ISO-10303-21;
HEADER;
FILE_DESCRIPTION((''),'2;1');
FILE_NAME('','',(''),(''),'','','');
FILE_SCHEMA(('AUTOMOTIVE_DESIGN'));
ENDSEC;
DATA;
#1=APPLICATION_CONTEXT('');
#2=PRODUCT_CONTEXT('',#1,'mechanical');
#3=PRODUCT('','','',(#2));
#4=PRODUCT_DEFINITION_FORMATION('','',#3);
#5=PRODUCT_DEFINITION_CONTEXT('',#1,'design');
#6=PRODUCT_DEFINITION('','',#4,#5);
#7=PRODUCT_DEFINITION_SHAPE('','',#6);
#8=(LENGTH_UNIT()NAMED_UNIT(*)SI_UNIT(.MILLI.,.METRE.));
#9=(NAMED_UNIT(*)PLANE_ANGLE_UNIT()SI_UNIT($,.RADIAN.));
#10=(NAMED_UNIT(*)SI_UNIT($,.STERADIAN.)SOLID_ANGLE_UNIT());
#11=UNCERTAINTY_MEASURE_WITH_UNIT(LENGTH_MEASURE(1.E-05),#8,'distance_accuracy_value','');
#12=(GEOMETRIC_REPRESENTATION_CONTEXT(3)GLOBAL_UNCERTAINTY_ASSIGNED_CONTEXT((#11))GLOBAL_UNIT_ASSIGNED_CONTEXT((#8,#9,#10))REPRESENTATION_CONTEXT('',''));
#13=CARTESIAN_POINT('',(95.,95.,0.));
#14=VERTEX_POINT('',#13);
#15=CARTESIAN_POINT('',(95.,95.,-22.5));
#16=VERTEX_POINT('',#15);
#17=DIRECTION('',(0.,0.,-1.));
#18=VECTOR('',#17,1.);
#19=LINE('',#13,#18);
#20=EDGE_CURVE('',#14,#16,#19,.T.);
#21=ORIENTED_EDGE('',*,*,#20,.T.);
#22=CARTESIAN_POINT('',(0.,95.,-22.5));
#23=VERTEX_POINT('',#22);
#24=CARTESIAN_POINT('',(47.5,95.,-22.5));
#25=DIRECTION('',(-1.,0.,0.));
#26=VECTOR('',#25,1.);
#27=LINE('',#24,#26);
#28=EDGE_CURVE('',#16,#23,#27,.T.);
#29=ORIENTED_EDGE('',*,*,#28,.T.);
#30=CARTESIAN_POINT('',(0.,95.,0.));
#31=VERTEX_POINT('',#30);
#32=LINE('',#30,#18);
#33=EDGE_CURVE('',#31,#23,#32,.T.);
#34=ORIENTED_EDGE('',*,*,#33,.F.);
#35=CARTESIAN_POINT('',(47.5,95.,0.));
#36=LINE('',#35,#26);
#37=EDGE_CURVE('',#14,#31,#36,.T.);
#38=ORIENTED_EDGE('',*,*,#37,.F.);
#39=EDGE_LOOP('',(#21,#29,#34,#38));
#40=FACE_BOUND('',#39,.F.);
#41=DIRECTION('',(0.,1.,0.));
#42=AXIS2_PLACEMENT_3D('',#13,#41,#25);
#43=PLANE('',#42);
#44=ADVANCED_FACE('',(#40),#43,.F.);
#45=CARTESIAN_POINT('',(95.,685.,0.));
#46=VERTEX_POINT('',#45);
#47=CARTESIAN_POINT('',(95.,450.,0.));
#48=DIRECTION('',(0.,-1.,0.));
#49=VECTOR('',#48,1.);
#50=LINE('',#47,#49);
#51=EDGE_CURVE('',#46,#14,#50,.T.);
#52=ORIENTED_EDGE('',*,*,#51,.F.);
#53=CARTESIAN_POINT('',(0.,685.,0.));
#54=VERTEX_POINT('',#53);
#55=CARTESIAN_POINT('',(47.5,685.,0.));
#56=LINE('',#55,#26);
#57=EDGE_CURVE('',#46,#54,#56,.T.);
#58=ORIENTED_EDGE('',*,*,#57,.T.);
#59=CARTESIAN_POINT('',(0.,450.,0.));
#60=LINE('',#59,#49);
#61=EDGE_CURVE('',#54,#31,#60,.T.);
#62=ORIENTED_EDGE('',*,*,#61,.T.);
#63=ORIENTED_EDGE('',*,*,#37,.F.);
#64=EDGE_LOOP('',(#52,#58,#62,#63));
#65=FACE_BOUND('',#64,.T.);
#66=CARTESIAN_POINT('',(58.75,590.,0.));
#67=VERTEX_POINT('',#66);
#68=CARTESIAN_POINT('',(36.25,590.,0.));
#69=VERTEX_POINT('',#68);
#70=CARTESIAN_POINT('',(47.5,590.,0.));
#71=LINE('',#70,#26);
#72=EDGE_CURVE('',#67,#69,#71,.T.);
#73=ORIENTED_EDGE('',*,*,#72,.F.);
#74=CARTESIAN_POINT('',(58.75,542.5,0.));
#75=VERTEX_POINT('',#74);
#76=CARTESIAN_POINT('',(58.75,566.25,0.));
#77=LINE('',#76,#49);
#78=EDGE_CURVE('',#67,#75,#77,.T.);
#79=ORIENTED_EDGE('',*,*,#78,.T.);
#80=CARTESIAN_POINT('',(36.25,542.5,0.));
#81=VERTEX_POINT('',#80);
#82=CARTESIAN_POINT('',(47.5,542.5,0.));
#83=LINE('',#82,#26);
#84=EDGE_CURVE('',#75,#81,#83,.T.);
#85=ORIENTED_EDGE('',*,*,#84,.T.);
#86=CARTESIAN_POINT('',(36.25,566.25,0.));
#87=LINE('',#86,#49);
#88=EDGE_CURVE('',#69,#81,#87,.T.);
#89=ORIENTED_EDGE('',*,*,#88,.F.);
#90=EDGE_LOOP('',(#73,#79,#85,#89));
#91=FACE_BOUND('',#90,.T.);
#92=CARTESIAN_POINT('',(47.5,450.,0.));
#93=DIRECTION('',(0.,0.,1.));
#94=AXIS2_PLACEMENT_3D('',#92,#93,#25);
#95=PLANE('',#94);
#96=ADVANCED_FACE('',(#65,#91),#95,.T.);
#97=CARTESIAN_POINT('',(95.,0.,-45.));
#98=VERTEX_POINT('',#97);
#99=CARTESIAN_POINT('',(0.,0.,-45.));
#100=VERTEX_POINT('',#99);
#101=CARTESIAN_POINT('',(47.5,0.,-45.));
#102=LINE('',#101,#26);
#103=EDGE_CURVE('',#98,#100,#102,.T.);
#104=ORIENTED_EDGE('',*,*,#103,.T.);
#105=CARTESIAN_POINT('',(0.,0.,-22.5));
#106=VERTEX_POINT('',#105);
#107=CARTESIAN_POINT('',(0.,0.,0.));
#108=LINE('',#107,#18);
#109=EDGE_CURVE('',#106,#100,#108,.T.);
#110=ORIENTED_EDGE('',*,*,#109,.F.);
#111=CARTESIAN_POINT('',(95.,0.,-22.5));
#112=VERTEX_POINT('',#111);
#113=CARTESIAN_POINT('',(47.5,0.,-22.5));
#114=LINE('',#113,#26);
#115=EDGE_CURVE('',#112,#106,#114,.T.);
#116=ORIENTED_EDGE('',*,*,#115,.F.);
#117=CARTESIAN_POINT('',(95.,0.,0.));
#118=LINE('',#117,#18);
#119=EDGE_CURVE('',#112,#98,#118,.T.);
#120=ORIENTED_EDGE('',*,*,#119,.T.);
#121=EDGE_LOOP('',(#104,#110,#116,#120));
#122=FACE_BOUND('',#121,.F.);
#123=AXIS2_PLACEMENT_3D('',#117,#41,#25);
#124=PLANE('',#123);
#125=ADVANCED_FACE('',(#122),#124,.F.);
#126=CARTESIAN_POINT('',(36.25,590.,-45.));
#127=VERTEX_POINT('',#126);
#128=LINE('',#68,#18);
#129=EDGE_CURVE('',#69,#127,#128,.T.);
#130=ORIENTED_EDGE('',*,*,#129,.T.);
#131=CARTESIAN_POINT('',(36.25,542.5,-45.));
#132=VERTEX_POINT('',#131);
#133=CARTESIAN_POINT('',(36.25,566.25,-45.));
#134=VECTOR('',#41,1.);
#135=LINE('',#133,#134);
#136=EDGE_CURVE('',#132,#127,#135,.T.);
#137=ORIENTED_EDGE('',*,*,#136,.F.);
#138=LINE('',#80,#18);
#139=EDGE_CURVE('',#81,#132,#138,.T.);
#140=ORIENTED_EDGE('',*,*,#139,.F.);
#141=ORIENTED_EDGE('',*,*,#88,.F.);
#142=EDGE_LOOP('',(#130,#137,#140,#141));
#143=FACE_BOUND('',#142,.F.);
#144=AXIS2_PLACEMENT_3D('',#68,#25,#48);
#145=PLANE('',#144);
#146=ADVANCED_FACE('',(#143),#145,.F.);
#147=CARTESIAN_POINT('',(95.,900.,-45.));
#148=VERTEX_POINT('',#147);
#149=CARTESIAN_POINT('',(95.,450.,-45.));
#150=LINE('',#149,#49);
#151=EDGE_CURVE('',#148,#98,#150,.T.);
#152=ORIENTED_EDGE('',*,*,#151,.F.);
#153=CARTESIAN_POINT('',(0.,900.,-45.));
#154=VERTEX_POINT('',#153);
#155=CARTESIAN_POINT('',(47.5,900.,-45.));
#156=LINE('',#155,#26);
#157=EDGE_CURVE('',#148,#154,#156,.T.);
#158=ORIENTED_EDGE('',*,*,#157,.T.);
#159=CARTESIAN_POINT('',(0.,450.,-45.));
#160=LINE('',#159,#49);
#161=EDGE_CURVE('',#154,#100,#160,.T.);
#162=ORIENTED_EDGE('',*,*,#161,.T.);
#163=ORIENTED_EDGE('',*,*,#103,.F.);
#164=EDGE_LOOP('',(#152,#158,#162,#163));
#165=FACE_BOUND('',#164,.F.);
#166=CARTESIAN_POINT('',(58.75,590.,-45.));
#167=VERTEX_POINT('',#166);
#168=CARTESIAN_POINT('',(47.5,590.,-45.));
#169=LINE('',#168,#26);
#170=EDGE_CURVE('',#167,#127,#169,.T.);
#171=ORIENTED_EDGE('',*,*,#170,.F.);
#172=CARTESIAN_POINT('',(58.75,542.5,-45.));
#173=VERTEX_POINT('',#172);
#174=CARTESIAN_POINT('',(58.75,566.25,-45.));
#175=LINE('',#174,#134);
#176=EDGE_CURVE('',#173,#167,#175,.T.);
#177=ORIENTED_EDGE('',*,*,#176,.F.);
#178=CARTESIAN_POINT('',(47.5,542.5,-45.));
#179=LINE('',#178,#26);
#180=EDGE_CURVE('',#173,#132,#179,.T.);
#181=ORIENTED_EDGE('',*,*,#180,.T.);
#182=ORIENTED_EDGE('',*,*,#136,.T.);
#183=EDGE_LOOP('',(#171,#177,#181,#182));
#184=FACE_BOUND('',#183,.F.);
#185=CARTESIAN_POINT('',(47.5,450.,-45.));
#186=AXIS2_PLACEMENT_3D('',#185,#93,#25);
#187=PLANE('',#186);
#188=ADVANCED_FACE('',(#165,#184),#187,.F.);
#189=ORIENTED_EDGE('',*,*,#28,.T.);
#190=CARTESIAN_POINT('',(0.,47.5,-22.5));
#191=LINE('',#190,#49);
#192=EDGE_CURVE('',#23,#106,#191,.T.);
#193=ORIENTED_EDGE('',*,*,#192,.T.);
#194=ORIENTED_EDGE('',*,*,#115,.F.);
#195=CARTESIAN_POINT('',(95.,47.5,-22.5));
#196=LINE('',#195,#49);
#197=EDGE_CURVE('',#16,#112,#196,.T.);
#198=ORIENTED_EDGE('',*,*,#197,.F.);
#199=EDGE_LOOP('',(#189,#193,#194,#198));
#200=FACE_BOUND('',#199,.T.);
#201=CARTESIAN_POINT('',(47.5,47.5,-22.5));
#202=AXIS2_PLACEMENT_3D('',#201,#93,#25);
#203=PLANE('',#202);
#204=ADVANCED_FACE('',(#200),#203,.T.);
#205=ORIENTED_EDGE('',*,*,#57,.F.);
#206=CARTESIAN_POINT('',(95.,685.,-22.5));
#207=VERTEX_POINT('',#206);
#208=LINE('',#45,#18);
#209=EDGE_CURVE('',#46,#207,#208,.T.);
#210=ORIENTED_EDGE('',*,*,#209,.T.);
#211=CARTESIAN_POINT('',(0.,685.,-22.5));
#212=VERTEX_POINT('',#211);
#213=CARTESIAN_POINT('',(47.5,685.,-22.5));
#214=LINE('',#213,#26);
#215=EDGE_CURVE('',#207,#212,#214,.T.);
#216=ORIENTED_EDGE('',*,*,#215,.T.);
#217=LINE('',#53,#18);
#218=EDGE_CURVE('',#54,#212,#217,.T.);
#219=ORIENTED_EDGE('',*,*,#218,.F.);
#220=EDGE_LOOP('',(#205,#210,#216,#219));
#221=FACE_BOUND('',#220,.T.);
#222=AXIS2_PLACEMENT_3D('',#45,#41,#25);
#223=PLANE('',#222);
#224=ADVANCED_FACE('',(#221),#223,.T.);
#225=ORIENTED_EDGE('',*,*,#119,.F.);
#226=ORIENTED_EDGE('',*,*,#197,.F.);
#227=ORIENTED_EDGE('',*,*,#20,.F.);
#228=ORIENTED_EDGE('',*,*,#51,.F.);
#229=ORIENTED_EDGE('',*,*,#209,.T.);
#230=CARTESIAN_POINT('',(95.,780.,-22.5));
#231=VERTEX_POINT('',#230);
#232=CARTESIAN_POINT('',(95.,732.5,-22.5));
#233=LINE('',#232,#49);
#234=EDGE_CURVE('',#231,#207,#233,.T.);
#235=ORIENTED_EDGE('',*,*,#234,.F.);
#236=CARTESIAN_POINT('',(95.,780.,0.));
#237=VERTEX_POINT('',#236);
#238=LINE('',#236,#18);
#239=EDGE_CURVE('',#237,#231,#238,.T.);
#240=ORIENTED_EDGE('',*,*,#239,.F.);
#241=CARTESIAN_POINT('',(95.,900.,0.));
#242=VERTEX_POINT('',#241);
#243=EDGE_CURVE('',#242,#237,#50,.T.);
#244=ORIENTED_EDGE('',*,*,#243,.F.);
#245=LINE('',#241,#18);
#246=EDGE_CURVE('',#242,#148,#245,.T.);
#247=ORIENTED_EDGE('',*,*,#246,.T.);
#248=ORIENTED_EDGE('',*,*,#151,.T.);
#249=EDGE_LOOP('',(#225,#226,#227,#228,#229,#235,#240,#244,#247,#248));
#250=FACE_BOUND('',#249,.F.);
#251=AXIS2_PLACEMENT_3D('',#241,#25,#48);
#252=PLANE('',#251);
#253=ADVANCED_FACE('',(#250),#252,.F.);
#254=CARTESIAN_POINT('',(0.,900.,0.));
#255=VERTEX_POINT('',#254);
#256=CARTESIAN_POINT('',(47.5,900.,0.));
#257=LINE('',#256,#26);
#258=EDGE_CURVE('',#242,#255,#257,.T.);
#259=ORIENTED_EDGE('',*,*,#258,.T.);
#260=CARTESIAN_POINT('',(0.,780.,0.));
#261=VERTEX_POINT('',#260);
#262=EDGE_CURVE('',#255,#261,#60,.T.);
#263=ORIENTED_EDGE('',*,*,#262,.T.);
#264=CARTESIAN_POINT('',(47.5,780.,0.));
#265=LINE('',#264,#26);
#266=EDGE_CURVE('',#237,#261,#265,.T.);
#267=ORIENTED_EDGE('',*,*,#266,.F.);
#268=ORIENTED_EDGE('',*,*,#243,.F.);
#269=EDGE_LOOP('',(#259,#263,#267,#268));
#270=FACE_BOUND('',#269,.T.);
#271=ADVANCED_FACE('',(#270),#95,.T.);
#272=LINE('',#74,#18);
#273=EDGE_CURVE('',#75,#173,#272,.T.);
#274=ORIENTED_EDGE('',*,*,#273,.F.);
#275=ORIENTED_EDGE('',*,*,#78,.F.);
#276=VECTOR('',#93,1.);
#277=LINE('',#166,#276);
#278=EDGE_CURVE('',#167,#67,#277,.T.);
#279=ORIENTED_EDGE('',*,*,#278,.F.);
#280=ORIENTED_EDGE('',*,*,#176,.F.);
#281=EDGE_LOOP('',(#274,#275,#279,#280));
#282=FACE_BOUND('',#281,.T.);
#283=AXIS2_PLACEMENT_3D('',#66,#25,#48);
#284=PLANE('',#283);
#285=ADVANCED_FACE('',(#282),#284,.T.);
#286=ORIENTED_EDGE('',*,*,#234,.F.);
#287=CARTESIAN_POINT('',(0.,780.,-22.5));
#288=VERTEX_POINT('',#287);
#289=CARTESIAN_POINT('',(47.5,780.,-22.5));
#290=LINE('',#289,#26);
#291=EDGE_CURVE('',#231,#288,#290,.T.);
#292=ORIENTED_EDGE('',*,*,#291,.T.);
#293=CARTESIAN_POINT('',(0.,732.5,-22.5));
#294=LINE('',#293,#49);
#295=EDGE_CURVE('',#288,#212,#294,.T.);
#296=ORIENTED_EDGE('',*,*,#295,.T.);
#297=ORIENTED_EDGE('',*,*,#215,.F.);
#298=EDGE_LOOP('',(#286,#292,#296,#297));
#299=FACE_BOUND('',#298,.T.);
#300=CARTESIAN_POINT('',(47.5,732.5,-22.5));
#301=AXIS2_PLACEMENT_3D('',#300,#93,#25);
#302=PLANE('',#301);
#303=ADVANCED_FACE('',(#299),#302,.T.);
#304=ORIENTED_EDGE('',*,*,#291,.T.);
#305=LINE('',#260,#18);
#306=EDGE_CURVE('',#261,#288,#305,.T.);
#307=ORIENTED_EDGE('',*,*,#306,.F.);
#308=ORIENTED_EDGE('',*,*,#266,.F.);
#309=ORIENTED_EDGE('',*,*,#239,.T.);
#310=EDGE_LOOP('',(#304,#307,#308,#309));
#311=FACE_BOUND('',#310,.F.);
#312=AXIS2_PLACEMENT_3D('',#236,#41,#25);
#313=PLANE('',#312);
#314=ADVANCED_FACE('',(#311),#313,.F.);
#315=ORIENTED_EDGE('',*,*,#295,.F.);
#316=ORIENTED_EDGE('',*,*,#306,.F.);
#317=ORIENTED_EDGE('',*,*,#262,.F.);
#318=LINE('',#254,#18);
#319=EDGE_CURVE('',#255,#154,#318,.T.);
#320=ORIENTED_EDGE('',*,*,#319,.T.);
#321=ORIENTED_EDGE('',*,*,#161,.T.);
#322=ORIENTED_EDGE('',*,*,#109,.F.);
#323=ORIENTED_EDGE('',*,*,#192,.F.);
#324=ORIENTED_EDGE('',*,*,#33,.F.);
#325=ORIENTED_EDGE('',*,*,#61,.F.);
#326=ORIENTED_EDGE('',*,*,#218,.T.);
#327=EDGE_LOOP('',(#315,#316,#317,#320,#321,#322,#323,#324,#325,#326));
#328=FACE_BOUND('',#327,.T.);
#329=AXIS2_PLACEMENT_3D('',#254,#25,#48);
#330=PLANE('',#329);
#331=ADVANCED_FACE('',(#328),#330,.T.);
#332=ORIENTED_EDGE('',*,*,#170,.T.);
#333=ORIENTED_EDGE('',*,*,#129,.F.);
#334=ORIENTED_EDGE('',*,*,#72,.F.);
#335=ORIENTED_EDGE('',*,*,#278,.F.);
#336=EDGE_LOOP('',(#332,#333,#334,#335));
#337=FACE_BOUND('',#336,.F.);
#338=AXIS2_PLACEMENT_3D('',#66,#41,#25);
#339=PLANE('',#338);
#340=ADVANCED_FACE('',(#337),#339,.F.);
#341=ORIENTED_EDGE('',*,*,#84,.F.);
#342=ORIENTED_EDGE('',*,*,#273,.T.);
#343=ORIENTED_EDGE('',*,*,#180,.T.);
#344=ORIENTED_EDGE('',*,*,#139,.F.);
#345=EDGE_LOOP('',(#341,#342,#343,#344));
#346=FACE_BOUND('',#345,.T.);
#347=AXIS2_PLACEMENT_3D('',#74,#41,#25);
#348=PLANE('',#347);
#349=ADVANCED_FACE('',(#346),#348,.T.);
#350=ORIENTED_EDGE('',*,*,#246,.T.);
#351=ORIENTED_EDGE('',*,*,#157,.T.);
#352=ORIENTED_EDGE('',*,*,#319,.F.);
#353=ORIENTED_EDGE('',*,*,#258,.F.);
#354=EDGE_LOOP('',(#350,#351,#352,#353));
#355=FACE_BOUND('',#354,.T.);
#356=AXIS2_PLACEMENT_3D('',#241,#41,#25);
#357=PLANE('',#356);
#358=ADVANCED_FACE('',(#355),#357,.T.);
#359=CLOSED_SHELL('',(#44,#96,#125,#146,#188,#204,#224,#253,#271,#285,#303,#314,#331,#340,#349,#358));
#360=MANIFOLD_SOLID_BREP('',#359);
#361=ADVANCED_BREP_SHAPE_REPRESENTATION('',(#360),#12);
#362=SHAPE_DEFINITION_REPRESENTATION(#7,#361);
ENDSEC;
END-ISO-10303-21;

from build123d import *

# Parameters (mm, degrees)
SKETCH_W                 = 95
SKETCH_H                 = 900
PAD_DEPTH                = 45
SKETCH001_W              = 95
SKETCH001_H              = 95
SKETCH001_W_2            = 22.5
SKETCH001_H_2            = 47.5
POCKET_DEPTH             = 22.5
SKETCH011_W              = 22.5
SKETCH011_H              = 47.5
POCKET006_DEPTH          = 22.5
CLONE002_PLACEMENT_ANGLE = 180


with BuildPart() as part:
    # Sketch → Pad (new body)
    with BuildSketch(Plane.XY):
        with Locations((47.5, 450)):
            Rectangle(SKETCH_W, SKETCH_H)
    extrude(amount=-PAD_DEPTH)

    # Sketch001 (on Face5 of Pad) → Pocket (cut)
    with BuildSketch(Plane.XY):
        with Locations((47.5, 167.5)):
            Rectangle(SKETCH001_W, SKETCH001_H)
        with Locations((47.5, 852.5)):
            Rectangle(SKETCH001_W, SKETCH001_H)
        with Locations((47.5, 333.75)):
            Rectangle(SKETCH001_W_2, SKETCH001_H_2)
    extrude(amount=-POCKET_DEPTH, mode=Mode.SUBTRACT)

    # Sketch011 (on Face4 of Pocket) → Pocket006 (cut)
    with BuildSketch(Plane(origin=(0, 0, -45), x_dir=(1, 0, 0), z_dir=(0, 0, -1))):
        with Locations((47.5, -333.75)):
            Rectangle(SKETCH011_W, SKETCH011_H)
    extrude(amount=-POCKET006_DEPTH, mode=Mode.SUBTRACT)


with BuildPart() as part_1:
    # Clone002 placement: moved
    add(part.part.moved(Location((95, 900, 0))).rotate(Axis((95, 900, 0), (0, 0, 1)), CLONE002_PLACEMENT_ANGLE))


solid = part_1.part
